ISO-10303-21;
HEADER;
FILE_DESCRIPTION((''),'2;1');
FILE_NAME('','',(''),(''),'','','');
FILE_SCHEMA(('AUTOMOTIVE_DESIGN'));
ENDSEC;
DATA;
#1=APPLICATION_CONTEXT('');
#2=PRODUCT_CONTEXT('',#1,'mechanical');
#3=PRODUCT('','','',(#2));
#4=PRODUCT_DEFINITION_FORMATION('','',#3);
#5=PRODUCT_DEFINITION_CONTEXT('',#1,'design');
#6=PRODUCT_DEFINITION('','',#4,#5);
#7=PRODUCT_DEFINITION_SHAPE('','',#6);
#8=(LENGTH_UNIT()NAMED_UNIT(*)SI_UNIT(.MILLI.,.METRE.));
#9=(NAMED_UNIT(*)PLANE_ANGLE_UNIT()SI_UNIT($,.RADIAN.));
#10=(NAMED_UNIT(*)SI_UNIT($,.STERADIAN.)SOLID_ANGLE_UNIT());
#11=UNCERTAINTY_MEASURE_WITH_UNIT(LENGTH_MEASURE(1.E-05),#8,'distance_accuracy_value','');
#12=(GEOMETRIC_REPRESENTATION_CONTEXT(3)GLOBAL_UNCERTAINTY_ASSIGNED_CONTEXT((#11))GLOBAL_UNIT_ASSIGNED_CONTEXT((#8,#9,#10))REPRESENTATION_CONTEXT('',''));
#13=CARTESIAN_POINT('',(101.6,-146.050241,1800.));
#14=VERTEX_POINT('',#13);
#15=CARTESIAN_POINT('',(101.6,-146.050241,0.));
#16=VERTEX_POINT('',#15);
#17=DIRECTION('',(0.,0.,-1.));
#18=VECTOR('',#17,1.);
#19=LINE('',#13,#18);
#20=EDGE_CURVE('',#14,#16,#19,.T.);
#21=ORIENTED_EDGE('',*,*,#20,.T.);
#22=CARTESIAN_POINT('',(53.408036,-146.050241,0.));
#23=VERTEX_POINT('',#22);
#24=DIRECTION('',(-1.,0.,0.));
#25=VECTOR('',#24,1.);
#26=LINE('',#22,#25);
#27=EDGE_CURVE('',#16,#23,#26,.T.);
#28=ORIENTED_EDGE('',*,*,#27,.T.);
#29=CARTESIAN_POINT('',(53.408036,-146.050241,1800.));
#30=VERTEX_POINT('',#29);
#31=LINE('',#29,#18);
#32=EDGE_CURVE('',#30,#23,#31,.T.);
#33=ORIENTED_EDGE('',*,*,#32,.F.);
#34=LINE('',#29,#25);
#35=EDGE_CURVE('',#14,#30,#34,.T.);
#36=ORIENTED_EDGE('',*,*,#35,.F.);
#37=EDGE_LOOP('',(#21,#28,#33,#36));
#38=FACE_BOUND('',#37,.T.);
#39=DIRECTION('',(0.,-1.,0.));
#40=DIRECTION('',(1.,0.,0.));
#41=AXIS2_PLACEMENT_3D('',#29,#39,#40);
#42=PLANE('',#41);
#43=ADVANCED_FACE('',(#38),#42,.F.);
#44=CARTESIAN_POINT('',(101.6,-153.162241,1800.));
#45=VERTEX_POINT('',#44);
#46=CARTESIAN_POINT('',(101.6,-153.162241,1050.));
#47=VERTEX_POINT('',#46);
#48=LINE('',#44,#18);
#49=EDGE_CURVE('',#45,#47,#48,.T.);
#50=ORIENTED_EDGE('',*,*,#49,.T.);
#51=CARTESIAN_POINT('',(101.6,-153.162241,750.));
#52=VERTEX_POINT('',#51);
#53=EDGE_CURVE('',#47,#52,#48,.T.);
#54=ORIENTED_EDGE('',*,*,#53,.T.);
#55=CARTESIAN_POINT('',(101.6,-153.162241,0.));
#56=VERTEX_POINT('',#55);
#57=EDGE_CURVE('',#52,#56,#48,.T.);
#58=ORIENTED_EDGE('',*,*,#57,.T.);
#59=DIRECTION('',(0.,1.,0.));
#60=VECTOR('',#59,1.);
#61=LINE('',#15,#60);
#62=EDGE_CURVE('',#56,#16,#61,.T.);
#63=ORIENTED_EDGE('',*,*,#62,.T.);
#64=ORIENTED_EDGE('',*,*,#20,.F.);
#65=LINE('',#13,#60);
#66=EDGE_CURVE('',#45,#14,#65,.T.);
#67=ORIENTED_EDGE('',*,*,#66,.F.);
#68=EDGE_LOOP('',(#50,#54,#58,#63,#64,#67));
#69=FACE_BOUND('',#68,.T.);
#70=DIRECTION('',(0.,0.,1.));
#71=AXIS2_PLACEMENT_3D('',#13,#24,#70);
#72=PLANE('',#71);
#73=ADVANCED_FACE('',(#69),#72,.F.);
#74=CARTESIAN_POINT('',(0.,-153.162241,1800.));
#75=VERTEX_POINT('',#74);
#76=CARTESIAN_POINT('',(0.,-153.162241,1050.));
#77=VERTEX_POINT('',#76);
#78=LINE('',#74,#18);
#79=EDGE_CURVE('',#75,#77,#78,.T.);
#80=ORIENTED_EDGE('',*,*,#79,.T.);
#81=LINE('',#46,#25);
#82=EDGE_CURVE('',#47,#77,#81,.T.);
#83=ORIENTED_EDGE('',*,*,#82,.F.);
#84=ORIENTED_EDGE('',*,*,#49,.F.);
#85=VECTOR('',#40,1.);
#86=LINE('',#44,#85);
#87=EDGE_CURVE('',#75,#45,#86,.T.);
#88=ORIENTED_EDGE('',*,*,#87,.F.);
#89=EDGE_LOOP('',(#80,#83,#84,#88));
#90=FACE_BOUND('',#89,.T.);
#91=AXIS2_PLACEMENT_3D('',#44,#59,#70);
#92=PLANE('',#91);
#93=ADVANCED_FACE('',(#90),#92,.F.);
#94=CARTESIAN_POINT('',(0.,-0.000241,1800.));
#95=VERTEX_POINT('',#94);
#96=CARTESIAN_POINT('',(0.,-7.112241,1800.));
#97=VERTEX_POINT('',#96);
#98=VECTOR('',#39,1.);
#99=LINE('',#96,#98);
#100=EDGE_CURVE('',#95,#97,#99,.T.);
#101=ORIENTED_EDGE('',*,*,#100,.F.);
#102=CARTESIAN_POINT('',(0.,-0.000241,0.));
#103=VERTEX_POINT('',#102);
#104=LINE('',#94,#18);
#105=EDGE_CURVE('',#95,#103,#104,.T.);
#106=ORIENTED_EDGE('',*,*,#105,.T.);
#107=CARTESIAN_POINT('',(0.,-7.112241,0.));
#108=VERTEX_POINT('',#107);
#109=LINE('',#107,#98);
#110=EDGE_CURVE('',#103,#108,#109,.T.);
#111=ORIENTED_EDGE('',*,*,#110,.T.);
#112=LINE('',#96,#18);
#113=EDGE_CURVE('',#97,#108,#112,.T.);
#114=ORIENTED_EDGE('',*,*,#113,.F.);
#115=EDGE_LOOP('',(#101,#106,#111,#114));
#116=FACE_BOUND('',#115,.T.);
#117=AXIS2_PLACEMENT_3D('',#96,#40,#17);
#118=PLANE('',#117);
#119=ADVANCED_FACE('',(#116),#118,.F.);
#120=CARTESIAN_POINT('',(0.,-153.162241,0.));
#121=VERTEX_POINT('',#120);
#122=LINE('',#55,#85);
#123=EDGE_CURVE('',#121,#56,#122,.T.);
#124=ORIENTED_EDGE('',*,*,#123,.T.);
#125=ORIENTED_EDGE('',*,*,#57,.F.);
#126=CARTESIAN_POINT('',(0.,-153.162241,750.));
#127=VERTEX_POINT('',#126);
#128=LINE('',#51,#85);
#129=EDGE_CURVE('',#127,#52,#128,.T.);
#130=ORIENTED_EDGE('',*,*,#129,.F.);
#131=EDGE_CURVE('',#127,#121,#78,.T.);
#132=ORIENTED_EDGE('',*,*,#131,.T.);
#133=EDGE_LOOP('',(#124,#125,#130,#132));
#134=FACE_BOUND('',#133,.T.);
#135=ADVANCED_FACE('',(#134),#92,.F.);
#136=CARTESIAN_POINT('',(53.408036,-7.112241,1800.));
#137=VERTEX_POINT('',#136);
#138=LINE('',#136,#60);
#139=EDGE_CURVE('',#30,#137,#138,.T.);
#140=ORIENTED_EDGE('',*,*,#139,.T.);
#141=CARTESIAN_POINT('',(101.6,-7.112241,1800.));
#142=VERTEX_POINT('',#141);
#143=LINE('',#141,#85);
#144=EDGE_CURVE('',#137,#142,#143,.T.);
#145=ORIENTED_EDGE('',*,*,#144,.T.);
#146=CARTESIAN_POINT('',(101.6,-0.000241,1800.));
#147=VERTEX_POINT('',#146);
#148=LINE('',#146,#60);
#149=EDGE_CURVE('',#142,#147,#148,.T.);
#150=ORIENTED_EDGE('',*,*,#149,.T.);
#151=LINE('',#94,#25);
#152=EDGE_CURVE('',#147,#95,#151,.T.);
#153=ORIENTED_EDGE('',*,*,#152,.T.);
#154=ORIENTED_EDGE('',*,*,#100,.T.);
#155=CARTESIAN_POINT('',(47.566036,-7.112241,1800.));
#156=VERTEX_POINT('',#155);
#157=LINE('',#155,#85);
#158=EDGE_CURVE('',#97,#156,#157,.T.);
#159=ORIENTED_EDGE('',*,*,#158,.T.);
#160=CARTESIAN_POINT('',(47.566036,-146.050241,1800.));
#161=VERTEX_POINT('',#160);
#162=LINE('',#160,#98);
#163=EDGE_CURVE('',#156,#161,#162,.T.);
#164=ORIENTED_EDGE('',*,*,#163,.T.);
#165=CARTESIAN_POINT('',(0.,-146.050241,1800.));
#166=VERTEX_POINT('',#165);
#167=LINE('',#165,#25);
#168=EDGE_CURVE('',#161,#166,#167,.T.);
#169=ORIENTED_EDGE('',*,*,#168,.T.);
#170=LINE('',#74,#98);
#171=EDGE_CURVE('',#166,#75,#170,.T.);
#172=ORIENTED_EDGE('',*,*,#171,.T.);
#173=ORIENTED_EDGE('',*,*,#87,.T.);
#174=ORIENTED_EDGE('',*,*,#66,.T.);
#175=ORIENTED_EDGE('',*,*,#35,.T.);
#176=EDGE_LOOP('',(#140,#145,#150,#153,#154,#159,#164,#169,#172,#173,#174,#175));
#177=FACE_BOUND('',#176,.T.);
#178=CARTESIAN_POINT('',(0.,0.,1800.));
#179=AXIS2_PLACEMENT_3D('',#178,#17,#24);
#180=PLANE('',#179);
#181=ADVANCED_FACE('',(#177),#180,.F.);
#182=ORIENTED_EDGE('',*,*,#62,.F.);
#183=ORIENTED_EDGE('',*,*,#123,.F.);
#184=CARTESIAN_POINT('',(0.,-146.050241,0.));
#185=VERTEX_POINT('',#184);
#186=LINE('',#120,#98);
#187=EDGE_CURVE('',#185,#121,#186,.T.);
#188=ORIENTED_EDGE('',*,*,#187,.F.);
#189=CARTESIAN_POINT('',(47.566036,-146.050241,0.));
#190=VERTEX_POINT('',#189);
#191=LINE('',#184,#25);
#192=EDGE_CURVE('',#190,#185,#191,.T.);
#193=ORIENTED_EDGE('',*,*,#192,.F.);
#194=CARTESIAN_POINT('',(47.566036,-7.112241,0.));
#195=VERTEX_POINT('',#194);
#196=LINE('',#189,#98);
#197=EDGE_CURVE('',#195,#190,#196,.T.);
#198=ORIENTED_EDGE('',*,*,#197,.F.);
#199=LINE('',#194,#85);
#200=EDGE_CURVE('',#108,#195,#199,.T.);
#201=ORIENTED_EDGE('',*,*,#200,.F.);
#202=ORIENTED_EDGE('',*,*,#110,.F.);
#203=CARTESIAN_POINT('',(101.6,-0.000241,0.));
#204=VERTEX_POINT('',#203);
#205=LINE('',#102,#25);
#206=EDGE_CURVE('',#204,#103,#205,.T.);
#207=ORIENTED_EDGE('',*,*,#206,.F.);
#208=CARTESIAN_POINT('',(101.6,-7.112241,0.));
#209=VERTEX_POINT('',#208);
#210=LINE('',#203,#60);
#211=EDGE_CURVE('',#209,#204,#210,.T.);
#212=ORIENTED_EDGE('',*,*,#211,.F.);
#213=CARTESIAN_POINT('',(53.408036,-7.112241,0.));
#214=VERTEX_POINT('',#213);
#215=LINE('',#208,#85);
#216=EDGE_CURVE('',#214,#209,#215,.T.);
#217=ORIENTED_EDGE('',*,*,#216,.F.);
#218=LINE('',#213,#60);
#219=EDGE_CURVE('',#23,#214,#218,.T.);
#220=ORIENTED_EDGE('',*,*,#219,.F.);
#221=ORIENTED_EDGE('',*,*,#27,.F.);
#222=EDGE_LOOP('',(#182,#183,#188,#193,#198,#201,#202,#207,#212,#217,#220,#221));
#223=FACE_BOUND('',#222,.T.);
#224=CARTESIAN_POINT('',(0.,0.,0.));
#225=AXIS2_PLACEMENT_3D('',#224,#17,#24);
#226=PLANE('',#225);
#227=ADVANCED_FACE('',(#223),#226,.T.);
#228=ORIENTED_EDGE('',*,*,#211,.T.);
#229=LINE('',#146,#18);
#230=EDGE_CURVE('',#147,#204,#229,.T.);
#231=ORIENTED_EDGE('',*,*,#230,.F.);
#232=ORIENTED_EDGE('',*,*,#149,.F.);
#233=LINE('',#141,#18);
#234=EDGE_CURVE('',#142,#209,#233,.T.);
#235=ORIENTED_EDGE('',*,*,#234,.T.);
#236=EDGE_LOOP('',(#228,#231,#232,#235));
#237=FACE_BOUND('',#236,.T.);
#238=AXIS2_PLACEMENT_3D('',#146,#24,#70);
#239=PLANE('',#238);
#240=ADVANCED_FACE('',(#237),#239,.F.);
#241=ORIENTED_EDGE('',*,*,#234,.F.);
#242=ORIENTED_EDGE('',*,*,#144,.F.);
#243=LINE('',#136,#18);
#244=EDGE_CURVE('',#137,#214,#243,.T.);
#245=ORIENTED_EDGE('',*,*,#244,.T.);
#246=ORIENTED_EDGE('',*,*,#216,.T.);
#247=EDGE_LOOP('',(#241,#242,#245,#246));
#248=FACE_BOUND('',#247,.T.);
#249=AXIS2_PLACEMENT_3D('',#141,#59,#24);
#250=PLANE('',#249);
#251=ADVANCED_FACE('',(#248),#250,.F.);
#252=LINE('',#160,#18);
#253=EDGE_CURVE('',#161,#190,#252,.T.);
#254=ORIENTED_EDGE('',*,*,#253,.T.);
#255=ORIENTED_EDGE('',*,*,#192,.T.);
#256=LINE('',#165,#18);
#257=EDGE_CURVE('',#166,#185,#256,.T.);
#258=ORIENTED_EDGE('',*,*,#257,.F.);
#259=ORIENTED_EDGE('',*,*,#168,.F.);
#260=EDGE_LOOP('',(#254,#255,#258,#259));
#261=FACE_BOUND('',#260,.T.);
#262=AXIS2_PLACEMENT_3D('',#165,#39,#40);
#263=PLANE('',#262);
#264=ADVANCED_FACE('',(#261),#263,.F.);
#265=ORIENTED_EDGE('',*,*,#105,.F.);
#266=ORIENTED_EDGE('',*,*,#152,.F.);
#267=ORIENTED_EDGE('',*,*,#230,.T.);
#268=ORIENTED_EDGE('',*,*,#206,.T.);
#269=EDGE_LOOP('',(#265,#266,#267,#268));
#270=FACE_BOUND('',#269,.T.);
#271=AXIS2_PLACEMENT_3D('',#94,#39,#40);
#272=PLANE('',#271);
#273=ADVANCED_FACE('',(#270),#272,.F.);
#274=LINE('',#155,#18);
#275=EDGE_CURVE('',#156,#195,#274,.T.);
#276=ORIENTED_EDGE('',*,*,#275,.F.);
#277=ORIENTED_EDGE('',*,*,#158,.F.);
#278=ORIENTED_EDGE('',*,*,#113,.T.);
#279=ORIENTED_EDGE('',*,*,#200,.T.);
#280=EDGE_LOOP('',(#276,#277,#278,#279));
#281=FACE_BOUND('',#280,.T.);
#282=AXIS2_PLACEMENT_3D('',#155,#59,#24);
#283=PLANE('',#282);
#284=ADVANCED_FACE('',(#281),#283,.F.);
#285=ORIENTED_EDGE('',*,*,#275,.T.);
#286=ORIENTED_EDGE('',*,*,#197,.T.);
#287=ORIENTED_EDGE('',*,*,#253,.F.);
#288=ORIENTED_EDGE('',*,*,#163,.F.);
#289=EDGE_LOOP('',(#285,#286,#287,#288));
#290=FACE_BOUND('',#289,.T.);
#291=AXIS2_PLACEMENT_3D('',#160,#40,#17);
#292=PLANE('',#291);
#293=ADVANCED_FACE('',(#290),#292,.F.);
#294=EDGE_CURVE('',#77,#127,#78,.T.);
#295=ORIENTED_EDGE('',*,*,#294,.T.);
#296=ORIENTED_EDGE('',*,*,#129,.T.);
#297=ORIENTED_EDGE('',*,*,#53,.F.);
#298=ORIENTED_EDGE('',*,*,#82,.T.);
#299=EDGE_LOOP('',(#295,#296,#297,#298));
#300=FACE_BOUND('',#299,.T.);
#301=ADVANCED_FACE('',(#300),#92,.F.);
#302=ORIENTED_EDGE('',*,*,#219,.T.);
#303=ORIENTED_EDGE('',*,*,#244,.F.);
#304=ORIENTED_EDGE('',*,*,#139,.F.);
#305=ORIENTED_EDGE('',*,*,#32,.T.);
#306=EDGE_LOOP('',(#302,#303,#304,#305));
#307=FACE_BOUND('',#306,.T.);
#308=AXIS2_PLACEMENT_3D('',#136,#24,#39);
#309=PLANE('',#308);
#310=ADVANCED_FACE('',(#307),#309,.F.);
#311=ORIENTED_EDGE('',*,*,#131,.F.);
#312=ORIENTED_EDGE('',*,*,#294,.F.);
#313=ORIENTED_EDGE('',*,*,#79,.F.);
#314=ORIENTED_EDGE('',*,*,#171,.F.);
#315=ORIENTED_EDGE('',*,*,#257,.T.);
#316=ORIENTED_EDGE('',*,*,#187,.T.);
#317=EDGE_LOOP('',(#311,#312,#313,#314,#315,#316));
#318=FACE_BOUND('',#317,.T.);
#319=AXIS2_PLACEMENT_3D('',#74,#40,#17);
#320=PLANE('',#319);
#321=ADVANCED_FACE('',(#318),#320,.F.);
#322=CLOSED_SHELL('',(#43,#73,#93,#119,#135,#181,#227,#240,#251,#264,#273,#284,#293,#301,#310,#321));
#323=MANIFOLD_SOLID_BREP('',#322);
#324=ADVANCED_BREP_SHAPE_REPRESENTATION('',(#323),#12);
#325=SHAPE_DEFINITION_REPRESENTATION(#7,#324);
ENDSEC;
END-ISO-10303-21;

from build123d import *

# Parameters (mm, degrees)
BOSS_EXTRUDE1_DEPTH = 1800


with BuildPart() as part:
    # Sketch1 → Boss-Extrude1 (new body)
    with BuildSketch(Plane.XY):
        Polygon((0, -0.000240533), (101.6, -0.000240533), (101.6, -7.112240533), (53.408035714, -7.112240533), (53.408035714, -146.050240533), (101.6, -146.050240533), (101.6, -153.162240533), (0, -153.162240533), (0, -146.050240533), (47.566035714, -146.050240533), (47.566035714, -7.112240533), (0, -7.112240533), align=None)
    extrude(amount=BOSS_EXTRUDE1_DEPTH)


solid = part.part
